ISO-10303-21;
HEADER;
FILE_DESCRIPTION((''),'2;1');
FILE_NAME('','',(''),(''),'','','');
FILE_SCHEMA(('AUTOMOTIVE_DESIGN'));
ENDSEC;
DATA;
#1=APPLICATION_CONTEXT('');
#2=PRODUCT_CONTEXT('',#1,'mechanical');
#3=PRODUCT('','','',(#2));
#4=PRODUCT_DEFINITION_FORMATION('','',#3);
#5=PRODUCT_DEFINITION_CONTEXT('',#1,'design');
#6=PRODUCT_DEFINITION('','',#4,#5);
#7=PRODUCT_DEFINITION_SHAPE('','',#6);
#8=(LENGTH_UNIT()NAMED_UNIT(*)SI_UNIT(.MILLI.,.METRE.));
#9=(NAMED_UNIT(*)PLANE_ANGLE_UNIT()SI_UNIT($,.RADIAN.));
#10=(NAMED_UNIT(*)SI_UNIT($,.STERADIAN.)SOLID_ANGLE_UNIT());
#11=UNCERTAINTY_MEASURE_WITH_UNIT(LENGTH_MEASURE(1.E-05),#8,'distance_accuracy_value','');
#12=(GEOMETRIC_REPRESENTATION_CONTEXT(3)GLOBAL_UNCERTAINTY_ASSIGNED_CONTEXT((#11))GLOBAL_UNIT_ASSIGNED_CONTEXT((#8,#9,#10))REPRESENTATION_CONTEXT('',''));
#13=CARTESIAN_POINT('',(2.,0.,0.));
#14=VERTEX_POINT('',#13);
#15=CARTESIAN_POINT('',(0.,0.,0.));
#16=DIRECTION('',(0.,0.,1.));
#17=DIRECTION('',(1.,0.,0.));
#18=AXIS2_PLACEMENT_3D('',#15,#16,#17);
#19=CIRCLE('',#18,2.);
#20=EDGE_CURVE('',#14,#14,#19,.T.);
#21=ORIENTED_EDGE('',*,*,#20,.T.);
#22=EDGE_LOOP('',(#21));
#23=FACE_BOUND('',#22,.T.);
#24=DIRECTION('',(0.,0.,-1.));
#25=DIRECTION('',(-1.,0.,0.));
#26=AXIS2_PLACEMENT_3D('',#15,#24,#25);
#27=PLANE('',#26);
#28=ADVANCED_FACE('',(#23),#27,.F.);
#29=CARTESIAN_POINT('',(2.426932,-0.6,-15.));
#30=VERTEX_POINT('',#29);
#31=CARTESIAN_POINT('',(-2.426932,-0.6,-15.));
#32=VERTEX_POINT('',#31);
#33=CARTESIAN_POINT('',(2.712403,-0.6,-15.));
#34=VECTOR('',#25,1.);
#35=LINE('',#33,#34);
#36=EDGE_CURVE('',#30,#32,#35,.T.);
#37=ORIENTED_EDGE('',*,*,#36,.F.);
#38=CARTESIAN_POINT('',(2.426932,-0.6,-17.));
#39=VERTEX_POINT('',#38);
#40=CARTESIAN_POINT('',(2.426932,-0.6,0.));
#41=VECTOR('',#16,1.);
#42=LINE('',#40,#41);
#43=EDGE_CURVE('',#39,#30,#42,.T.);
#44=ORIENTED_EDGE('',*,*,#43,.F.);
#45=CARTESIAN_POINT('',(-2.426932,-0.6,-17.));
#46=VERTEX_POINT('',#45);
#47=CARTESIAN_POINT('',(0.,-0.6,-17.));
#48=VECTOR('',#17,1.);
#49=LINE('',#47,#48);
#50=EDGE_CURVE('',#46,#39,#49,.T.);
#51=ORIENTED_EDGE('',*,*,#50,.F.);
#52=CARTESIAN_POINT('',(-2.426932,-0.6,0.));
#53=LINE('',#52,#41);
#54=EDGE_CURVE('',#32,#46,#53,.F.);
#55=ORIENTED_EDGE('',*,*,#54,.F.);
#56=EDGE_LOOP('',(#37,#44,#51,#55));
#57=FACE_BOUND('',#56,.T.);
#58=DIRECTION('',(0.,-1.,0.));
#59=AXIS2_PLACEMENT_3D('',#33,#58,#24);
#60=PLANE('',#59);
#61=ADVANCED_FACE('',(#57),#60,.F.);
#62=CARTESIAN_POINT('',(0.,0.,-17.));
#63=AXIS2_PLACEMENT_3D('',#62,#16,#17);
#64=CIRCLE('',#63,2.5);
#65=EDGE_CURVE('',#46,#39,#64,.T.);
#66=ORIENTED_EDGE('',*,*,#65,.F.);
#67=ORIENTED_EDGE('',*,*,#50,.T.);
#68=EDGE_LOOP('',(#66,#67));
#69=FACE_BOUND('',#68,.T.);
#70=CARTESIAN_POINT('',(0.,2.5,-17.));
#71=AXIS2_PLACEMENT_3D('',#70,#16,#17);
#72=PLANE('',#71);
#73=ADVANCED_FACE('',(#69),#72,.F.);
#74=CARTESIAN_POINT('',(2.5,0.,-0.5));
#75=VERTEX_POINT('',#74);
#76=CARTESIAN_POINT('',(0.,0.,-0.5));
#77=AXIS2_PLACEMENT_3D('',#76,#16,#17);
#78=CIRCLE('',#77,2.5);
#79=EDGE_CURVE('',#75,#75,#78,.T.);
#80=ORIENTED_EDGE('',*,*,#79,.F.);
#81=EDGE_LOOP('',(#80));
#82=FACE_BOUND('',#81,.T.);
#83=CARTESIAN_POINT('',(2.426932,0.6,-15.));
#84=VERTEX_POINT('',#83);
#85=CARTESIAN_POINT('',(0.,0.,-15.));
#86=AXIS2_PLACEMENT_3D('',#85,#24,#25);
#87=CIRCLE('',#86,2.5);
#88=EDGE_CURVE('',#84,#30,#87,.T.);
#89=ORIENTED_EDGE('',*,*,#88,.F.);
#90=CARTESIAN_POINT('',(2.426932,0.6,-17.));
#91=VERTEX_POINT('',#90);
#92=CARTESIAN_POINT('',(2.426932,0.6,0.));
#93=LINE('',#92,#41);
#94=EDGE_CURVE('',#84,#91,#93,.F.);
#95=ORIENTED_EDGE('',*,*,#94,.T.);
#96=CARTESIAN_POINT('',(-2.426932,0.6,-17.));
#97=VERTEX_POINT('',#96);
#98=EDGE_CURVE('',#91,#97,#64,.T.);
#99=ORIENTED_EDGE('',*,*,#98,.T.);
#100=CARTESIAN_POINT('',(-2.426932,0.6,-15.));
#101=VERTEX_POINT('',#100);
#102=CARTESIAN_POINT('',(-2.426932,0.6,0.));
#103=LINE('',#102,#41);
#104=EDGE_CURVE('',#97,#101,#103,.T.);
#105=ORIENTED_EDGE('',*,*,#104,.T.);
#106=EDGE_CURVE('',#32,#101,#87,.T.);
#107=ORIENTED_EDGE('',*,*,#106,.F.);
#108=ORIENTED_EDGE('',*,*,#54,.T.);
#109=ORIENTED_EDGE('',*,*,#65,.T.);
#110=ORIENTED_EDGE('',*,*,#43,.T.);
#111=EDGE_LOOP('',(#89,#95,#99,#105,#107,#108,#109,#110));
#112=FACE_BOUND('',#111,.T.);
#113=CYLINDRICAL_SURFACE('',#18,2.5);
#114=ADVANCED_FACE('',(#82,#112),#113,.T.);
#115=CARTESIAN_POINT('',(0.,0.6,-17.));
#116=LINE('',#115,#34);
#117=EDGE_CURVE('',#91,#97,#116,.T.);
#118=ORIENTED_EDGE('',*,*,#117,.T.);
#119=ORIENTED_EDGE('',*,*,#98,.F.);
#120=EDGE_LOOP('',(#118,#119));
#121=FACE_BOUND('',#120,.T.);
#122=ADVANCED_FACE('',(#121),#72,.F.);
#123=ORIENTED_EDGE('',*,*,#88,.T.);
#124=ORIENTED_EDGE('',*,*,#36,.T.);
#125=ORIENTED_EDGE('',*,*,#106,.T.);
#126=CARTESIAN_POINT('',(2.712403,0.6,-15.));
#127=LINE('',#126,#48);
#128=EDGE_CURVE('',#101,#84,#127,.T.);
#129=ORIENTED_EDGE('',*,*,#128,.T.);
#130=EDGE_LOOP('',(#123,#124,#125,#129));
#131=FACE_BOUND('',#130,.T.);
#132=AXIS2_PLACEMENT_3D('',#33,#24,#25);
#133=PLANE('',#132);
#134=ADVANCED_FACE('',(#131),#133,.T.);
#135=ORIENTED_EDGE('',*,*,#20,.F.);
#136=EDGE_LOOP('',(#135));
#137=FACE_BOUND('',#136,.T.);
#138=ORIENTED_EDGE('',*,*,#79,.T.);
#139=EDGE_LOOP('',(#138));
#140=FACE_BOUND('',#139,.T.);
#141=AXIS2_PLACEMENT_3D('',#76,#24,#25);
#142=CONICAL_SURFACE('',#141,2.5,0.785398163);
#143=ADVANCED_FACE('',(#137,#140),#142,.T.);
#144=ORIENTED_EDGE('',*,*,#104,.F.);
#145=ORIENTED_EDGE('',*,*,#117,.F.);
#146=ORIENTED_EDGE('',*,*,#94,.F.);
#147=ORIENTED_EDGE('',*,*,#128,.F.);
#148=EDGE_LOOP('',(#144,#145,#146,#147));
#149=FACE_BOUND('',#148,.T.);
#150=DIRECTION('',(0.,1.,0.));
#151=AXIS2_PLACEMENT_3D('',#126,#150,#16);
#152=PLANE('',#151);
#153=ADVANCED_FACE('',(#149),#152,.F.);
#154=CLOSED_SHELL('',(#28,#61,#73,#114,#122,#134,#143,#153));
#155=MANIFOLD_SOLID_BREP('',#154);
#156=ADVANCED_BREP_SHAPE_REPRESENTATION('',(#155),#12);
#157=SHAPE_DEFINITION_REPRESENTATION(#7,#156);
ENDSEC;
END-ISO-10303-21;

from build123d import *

# Parameters (mm, degrees)
SKETCH2_W          = 5.424806346
SKETCH2_H          = 1.2
CUT_EXTRUDE1_DEPTH = 2


with BuildPart() as part:
    # Sketch1 → Revolve1 (revolve)
    with BuildSketch(Plane(origin=(0, 0, 0), x_dir=(0, 0, -1), z_dir=(1, 0, 0)), mode=Mode.PRIVATE) as revolve1_sk:
        Polygon((0, 0), (0, 2), (0.5, 2.5), (17, 2.5), (17, 0), align=None)
    revolve(revolve1_sk.sketch.rotate(Axis((0, 0, 0), (0, 0, -1)), 90), axis=Axis((0, 0, 0), (0, 0, -1)))

    # Sketch2 → Cut-Extrude1 (cut)
    with BuildSketch(Plane(origin=(0, 0, -17), x_dir=(-1, 0, 0), z_dir=(0, 0, -1))):
        Rectangle(SKETCH2_W, SKETCH2_H)
    extrude(amount=-CUT_EXTRUDE1_DEPTH, mode=Mode.SUBTRACT)


solid = part.part
